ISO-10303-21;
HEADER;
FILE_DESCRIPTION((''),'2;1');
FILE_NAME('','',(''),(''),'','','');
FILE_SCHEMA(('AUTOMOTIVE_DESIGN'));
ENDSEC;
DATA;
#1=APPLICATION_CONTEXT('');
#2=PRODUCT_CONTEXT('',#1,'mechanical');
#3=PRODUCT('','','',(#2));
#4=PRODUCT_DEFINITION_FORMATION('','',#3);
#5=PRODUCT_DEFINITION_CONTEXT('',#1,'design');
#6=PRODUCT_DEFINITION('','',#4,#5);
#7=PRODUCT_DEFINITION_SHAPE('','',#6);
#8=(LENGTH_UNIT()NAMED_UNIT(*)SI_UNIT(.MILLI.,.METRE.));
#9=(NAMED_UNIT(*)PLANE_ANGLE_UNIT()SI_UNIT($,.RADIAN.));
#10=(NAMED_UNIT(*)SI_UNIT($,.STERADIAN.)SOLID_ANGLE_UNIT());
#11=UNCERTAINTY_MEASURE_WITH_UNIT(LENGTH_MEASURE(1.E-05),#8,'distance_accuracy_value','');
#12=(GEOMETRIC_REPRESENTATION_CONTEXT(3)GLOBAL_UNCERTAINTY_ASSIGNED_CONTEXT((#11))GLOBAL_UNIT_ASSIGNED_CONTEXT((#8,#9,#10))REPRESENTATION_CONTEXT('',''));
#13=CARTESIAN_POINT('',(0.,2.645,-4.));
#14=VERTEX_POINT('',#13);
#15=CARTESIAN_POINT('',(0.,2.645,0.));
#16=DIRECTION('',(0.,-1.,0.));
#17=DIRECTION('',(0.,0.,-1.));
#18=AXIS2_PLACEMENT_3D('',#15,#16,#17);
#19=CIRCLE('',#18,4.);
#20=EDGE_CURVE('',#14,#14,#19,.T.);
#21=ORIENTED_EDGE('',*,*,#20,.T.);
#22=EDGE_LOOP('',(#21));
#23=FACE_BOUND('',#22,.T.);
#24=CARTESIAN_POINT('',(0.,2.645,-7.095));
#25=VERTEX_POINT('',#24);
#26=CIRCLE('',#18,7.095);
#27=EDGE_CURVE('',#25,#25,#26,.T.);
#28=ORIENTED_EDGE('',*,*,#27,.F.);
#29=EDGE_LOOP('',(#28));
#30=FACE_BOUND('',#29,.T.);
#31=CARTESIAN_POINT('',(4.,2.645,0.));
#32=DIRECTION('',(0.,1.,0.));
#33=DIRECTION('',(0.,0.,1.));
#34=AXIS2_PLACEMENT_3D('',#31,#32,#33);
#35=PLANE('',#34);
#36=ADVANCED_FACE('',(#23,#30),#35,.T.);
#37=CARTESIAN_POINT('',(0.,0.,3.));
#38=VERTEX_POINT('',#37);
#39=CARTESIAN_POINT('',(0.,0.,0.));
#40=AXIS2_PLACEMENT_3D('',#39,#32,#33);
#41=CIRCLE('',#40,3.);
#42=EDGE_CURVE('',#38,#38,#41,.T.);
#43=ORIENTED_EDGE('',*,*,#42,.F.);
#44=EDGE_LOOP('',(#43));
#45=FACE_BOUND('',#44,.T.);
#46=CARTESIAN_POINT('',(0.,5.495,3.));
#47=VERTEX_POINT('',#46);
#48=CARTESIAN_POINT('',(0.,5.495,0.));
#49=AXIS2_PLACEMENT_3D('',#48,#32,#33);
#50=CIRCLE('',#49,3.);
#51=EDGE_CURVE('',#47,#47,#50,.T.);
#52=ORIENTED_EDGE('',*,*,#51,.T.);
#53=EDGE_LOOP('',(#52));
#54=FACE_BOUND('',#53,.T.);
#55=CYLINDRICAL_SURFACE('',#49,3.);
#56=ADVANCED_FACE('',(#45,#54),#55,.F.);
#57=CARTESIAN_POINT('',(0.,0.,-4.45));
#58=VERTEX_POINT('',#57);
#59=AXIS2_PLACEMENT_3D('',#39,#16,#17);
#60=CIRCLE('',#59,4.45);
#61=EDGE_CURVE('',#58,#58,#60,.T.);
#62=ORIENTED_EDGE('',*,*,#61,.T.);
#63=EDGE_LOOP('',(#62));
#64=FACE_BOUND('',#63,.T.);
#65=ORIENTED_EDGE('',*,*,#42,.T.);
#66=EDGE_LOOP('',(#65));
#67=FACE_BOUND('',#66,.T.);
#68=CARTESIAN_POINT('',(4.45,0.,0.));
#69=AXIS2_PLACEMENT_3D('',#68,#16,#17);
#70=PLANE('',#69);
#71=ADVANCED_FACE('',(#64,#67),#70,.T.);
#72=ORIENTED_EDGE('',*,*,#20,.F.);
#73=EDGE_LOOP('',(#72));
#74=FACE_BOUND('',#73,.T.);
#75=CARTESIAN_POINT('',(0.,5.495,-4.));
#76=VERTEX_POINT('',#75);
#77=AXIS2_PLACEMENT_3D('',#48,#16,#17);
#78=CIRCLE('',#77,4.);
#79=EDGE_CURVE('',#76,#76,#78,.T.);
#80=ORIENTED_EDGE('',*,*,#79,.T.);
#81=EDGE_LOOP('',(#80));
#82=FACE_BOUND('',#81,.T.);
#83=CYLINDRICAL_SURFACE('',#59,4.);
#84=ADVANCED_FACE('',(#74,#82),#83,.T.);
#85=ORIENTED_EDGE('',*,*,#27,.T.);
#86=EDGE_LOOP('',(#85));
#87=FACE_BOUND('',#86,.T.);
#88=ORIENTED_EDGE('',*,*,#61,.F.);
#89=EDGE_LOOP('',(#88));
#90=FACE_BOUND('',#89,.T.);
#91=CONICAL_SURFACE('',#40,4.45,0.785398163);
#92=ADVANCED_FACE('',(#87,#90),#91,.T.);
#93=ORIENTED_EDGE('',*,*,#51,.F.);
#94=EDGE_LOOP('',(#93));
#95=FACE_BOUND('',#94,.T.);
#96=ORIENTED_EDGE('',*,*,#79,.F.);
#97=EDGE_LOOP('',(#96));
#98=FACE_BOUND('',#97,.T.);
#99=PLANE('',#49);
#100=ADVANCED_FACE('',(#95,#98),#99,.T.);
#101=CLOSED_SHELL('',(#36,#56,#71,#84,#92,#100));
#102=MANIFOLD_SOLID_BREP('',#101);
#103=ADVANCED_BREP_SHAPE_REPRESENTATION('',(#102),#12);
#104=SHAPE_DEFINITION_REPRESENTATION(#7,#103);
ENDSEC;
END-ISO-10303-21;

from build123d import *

# Parameters (mm, degrees)
OTWORY_USTALAJ_CE_6_0MM1_D = 6


with BuildPart() as part:
    # Szkic1 → Obrót1 (revolve)
    with BuildSketch(Plane.XY):
        Polygon((0, 0), (0, 5.495), (4, 5.495), (4, 2.645), (7.095, 2.645), (4.45, 0), align=None)
    revolve(axis=Axis((0, 0, 0), (0, 1, 0)))

    # Otwory ustalające Ø6.0mm1 (through all)
    with Locations(Plane(origin=(0, 5.495, 0), x_dir=(1, 0, 0), z_dir=(0, 1, 0))):
        with Locations((0, 0)):
            Hole(OTWORY_USTALAJ_CE_6_0MM1_D / 2)


solid = part.part
